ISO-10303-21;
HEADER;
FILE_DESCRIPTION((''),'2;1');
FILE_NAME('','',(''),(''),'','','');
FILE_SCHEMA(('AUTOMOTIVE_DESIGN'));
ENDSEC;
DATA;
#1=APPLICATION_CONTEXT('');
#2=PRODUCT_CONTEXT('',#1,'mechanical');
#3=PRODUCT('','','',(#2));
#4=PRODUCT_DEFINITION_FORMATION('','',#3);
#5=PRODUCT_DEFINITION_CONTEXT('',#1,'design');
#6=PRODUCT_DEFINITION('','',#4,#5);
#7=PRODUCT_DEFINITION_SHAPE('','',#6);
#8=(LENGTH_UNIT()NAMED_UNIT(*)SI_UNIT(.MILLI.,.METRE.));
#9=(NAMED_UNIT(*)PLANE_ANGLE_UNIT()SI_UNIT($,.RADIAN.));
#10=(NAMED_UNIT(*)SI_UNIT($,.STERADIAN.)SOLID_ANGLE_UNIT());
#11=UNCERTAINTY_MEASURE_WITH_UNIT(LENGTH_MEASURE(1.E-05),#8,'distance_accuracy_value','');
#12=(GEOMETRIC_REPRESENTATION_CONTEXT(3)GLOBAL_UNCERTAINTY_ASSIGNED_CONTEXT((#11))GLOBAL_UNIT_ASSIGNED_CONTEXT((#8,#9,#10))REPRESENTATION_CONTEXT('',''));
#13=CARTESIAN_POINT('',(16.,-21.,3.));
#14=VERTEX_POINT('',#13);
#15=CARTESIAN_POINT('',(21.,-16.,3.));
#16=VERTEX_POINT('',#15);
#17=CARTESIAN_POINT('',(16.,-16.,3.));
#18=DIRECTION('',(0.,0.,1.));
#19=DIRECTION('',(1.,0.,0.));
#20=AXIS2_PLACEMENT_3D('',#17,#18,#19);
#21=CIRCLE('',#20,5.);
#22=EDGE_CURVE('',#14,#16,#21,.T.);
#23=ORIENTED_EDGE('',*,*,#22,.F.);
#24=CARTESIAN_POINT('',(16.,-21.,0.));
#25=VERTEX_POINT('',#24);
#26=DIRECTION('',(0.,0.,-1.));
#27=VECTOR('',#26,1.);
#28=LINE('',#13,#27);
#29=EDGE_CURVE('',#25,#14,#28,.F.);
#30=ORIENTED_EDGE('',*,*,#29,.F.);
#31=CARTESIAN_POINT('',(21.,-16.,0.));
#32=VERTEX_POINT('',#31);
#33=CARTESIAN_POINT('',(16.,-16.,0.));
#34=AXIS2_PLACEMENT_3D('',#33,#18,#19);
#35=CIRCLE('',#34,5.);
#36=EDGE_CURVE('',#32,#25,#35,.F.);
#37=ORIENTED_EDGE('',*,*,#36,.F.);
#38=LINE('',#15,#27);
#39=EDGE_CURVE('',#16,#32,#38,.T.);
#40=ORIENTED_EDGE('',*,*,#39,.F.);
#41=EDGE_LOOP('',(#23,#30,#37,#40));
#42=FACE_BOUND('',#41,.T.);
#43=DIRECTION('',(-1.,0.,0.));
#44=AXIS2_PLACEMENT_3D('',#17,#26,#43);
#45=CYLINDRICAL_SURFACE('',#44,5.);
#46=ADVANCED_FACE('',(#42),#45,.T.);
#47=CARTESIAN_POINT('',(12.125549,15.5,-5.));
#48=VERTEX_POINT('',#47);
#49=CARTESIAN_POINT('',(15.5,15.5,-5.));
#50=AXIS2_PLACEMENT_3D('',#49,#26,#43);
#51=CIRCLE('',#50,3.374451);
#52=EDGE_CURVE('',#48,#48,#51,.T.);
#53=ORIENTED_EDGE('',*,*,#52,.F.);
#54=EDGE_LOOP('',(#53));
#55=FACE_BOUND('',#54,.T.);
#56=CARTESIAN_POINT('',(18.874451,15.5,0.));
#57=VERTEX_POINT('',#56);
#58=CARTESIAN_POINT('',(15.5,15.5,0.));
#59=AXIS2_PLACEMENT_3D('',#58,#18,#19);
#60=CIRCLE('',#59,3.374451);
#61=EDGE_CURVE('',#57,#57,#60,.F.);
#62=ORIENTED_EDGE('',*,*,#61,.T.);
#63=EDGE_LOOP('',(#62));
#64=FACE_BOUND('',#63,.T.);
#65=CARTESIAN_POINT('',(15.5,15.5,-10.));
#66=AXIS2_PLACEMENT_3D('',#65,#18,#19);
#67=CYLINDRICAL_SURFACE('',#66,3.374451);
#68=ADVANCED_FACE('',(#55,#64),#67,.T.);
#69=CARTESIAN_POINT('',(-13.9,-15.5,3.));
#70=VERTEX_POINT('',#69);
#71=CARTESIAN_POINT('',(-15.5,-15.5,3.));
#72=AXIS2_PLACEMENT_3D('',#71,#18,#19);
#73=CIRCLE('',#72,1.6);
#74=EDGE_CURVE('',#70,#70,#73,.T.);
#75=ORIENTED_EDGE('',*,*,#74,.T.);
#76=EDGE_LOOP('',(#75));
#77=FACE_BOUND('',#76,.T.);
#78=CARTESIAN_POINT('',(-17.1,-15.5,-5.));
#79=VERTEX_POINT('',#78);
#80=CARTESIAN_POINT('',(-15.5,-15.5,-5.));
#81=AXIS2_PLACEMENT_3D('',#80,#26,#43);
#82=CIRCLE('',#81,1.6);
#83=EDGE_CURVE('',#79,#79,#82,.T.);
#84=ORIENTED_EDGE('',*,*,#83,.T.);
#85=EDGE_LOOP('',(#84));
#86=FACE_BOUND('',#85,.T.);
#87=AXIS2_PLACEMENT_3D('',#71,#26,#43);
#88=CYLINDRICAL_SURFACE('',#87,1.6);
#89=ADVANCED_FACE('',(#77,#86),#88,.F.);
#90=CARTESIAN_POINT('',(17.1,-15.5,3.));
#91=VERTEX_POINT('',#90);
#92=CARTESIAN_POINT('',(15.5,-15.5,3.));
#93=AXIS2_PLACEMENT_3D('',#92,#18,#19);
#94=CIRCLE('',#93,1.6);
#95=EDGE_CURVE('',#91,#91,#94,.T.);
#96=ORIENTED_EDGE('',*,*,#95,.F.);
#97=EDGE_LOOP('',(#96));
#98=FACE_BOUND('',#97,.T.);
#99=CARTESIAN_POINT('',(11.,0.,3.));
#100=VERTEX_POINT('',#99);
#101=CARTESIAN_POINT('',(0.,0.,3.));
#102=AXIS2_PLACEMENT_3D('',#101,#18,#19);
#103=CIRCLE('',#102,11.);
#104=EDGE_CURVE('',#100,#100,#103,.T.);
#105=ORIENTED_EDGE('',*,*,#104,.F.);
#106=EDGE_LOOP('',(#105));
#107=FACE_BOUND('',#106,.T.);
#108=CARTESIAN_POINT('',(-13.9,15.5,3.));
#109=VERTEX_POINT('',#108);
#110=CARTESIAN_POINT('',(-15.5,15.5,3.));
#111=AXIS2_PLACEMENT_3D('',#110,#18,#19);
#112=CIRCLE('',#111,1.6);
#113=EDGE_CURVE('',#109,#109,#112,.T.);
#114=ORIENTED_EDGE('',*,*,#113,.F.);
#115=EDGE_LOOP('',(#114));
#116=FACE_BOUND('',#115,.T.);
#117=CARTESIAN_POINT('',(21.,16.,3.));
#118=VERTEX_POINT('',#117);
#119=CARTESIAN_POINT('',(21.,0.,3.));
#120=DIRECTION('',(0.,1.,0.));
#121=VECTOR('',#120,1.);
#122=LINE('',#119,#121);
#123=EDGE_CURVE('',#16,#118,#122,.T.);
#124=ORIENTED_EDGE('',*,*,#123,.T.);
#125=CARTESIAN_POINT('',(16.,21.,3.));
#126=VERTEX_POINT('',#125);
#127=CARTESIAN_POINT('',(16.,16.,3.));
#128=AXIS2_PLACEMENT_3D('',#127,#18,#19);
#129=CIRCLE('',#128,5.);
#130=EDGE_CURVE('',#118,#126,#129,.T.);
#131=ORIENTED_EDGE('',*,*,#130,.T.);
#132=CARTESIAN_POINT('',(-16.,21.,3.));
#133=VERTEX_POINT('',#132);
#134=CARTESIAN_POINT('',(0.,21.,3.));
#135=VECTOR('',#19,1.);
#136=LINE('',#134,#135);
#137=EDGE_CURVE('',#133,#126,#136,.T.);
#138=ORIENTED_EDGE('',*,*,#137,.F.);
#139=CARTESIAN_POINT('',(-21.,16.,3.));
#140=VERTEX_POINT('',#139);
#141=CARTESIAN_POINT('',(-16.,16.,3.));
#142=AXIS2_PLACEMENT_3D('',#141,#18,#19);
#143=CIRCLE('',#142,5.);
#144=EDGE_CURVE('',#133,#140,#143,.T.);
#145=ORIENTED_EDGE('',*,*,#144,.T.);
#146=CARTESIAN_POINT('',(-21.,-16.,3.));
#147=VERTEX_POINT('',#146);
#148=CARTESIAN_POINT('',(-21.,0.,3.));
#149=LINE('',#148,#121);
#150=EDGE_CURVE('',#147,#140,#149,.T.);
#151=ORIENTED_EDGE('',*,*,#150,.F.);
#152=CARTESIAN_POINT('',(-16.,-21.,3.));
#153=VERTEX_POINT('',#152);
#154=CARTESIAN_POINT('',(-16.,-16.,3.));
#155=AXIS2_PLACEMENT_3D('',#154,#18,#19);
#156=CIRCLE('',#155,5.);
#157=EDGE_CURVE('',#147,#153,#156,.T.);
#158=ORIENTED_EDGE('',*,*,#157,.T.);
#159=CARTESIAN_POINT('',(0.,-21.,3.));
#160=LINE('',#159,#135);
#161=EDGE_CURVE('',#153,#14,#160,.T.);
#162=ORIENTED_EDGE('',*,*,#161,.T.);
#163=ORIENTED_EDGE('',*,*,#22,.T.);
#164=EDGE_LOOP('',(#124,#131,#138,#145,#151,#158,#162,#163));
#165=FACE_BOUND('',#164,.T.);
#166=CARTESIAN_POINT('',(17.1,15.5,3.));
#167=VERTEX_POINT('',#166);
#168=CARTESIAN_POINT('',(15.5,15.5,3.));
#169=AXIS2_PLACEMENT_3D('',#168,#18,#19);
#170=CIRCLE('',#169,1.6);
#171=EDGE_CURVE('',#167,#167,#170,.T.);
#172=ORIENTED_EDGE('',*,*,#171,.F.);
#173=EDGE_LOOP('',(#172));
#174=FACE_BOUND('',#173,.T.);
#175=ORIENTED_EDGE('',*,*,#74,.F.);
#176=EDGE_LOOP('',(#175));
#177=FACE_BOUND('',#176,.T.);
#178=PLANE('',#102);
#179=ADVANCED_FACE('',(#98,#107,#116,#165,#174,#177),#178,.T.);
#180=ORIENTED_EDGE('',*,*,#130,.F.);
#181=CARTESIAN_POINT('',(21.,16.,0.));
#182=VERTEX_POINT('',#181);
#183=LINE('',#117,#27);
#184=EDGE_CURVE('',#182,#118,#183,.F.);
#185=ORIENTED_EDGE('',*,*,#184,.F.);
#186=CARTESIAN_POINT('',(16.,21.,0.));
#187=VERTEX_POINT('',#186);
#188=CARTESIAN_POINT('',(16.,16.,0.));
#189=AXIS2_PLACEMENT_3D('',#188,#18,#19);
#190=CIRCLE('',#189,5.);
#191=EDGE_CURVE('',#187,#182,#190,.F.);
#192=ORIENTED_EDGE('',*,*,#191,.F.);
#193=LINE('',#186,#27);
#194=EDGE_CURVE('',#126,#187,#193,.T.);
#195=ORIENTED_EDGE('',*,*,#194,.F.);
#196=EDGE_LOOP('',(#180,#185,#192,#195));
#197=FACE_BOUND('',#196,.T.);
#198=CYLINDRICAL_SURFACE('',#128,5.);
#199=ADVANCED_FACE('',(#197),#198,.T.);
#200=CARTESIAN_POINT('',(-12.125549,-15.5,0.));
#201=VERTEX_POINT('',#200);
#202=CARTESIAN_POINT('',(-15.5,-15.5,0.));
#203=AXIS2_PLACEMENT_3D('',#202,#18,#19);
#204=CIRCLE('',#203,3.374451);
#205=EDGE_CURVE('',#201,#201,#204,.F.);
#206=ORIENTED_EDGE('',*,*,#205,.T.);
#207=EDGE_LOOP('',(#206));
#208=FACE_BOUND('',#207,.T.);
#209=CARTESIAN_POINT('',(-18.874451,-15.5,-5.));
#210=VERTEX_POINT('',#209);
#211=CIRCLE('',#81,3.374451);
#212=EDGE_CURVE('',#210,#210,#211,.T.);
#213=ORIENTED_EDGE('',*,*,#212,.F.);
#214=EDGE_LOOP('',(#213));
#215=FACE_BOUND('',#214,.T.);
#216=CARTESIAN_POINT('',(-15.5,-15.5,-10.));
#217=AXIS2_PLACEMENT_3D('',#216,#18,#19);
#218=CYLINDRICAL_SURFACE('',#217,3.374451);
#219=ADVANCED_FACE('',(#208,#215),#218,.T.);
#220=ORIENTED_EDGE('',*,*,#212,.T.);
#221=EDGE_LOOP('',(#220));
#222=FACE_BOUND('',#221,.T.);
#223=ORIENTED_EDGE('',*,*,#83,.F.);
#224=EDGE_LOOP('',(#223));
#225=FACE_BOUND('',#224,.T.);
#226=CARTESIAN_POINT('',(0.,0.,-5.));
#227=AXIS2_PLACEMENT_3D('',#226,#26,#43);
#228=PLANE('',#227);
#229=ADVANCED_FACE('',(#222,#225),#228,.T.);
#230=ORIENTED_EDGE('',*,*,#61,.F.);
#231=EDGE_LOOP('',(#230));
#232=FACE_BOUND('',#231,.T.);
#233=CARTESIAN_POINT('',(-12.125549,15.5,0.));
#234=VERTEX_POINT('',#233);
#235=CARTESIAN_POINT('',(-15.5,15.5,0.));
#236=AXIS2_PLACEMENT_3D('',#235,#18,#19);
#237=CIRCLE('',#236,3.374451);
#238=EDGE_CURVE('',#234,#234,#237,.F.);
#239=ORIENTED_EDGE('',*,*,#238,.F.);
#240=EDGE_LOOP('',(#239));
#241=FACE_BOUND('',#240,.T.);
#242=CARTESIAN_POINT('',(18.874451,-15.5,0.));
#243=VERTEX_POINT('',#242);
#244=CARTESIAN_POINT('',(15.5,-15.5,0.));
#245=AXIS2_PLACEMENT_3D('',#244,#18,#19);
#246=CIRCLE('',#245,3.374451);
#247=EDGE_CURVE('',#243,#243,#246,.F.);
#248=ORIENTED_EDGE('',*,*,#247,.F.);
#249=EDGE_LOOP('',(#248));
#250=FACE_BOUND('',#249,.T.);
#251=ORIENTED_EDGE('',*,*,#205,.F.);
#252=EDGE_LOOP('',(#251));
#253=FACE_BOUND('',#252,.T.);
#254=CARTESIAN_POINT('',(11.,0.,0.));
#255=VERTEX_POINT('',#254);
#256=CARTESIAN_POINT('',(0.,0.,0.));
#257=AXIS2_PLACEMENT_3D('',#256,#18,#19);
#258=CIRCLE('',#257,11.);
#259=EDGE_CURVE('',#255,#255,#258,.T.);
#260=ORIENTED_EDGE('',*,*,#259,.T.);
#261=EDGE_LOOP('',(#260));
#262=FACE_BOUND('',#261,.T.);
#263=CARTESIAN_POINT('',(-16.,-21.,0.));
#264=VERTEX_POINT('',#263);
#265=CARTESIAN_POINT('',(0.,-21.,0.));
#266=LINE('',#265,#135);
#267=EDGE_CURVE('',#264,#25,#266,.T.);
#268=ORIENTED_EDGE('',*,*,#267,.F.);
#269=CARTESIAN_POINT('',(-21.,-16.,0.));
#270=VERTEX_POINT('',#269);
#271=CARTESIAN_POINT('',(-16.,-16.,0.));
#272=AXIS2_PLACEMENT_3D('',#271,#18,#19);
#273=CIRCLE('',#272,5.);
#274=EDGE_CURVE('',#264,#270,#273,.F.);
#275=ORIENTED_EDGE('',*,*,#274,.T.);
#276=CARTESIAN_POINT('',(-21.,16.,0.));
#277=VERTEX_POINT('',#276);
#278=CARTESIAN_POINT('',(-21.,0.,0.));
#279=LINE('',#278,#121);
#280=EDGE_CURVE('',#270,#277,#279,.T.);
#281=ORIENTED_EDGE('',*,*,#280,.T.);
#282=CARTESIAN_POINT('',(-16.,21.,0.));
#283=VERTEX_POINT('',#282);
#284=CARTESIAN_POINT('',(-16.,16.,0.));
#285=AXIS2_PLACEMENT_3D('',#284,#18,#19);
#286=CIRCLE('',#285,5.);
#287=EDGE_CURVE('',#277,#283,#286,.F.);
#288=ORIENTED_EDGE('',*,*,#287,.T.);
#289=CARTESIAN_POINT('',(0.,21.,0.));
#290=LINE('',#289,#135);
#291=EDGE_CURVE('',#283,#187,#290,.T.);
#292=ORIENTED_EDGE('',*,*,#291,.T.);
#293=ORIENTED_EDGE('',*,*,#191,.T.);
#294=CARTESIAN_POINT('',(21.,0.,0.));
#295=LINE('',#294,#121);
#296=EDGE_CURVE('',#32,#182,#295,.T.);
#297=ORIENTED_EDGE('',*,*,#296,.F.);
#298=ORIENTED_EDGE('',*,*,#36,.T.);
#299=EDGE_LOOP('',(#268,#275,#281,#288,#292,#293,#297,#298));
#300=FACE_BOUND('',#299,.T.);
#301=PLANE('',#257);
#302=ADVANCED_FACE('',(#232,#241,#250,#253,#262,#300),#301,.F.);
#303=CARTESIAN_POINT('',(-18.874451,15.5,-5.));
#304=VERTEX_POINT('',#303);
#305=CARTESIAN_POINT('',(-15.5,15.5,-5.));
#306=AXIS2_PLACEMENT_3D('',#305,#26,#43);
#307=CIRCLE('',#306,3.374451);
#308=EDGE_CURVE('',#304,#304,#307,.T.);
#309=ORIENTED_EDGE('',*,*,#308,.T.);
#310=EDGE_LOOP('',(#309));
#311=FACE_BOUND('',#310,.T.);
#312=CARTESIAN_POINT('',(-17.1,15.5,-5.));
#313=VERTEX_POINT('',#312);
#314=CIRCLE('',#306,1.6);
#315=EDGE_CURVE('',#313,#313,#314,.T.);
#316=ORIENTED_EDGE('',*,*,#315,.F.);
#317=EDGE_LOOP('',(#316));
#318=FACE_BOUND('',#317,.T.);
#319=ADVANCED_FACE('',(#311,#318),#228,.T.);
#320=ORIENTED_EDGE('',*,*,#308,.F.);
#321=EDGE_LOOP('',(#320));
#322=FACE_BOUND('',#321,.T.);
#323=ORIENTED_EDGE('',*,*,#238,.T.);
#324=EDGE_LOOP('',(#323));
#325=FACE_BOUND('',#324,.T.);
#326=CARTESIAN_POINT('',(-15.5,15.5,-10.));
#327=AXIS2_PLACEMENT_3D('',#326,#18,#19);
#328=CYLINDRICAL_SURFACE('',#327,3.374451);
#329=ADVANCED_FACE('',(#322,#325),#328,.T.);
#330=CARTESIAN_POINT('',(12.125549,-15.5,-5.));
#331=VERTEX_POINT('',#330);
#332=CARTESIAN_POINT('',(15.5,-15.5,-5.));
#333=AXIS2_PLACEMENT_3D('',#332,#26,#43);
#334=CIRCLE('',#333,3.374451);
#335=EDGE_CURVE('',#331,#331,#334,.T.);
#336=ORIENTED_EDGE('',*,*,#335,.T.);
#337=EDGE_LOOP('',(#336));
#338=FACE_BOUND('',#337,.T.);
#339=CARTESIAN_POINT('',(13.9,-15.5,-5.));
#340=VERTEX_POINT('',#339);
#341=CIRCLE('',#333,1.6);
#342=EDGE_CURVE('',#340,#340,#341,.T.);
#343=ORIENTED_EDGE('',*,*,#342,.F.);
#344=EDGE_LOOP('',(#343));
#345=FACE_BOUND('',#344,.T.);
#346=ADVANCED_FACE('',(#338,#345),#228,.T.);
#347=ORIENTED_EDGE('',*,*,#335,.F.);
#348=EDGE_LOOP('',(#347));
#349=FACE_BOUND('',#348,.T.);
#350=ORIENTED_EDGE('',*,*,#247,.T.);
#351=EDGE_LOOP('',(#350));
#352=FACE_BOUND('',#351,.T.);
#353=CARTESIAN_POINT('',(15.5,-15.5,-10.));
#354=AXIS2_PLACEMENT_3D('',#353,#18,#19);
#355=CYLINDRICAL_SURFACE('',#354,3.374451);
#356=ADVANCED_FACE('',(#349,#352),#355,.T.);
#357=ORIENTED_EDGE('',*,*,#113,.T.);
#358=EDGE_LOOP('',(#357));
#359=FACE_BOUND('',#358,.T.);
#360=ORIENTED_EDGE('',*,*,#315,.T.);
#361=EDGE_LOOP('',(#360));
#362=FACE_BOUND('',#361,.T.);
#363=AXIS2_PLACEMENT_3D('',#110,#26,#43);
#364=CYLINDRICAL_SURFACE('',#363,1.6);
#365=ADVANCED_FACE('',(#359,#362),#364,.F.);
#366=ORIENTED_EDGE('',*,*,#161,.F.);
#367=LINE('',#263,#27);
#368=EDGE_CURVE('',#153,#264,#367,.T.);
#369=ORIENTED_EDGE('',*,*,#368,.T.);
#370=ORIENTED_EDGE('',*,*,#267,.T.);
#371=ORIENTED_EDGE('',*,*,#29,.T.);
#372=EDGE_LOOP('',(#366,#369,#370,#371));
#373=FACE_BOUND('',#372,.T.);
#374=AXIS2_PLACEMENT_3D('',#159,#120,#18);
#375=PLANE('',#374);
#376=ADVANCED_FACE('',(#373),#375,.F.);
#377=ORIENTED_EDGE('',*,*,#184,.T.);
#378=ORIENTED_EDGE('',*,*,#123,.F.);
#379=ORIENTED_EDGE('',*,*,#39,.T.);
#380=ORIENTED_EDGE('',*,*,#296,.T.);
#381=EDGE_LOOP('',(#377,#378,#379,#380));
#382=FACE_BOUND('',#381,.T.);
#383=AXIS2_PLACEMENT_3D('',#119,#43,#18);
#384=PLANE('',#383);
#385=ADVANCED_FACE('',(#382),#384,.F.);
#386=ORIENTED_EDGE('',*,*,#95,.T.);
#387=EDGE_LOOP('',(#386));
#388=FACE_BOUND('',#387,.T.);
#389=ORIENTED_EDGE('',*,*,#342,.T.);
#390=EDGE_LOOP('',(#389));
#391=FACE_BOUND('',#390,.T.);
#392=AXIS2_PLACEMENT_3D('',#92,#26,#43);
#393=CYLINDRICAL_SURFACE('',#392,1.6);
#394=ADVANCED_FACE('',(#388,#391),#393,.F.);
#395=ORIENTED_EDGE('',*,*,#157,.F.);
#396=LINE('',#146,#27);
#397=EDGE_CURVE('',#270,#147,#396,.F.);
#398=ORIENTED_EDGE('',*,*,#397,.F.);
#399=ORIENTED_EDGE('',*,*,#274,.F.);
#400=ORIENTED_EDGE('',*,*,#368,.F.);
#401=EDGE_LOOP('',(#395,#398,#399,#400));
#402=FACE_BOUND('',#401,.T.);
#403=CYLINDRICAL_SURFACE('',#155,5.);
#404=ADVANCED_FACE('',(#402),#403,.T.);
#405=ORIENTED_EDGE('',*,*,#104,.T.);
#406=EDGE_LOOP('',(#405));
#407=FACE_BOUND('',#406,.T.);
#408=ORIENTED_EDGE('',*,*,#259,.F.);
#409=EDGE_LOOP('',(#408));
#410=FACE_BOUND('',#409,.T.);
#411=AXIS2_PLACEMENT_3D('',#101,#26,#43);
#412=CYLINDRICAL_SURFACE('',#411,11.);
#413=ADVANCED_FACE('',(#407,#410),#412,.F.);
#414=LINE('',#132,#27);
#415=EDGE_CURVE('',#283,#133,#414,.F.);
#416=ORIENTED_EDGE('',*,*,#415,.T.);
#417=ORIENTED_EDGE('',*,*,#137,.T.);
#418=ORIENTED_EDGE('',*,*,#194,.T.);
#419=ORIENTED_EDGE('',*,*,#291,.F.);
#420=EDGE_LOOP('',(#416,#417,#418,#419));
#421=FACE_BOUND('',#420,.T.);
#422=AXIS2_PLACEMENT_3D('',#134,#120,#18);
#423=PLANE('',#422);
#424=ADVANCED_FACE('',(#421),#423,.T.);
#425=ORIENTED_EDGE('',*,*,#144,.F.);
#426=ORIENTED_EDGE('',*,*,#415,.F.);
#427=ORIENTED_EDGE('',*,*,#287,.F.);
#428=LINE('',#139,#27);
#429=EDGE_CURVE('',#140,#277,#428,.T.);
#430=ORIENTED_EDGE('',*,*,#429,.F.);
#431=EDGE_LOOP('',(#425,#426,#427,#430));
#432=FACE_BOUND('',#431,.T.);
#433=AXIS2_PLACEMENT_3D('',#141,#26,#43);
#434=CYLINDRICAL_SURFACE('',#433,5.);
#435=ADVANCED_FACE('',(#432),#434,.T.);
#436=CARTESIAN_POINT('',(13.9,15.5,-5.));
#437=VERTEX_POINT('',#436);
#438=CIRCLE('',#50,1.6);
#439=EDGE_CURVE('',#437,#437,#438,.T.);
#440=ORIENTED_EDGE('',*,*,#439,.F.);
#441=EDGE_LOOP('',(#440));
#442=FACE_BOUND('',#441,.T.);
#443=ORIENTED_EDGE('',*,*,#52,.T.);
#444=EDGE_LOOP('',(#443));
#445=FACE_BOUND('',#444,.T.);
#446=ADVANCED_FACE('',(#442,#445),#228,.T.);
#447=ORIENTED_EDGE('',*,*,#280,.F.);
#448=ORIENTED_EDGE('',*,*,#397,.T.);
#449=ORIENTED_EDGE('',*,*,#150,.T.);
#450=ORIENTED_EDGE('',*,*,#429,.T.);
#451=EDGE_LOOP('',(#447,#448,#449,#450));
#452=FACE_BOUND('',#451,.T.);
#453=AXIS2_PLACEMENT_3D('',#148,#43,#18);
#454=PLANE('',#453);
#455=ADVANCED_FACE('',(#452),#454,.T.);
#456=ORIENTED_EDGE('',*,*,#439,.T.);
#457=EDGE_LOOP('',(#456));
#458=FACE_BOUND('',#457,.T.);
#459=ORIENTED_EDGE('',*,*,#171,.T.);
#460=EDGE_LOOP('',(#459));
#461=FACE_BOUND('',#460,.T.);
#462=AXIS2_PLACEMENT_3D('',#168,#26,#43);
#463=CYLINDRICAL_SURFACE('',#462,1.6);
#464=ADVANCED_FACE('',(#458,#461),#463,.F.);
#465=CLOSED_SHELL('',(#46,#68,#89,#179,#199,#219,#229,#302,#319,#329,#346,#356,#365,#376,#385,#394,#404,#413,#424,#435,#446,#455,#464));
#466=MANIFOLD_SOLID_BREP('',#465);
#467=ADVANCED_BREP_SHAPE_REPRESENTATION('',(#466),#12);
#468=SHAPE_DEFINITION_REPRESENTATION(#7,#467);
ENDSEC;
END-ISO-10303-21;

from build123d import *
from build123d.topology import SkipClean

# Parameters (mm, degrees)
SKETCH_1_W          = 42
SKETCH_1_H          = 42
SKETCH_1_R          = 1.6
SKETCH_1_R_2        = 11
EXTRUDE_1_DEPTH     = 3
FILLET_1_R          = 5
SKETCH_2_R          = 18
SKETCH_2_R_2        = 16
EXTRUDE_2_DEPTH     = 7
SKETCH_3_R          = 18
CUT_EXTRUDE_1_DEPTH = 31.512292605
EXTRUDE_START       = 10
SKETCH_5_R          = 3.3744514
SKETCH_5_R_2        = 1.6
EXTRUDE_3_DEPTH     = 10
SKETCH_6_R          = 29.988596493
CUT_EXTRUDE_2_DEPTH = 5


with BuildPart() as part:
    # 草图1 → 凸台-拉伸1 (new body)
    with BuildSketch(Plane.XY):
        Rectangle(SKETCH_1_W, SKETCH_1_H)
        with Locations((-15.5, 15.5)):
            Circle(SKETCH_1_R, mode=Mode.SUBTRACT)
        with Locations((15.5, 15.5)):
            Circle(SKETCH_1_R, mode=Mode.SUBTRACT)
        with Locations((15.5, -15.5)):
            Circle(SKETCH_1_R, mode=Mode.SUBTRACT)
        with Locations((-15.5, -15.5)):
            Circle(SKETCH_1_R, mode=Mode.SUBTRACT)
        Circle(SKETCH_1_R_2, mode=Mode.SUBTRACT)
    extrude(amount=EXTRUDE_1_DEPTH)

    # 圆角1
    fillet_1_edges = [part.edges().sort_by_distance(p)[0] for p in [
        (-21, -21, 1.5),
        (-21, 21, 1.5),
        (21, 21, 1.5),
        (21, -21, 1.5),
    ]]
    fillet(fillet_1_edges, radius=FILLET_1_R)

    # 草图2 → 凸台-拉伸2 (add)
    with BuildSketch(Plane(origin=(0, 0, 0), x_dir=(-1, 0, 0), z_dir=(0, 0, -1))):
        with Locations(Location((0, 0, 0), (0, 0, 180))):
            Circle(SKETCH_2_R)
        Circle(SKETCH_2_R_2, mode=Mode.SUBTRACT)
    extrude(amount=EXTRUDE_2_DEPTH)

    # 草图3 → 切除-拉伸1 (cut, through all)
    with BuildSketch(Plane(origin=(0, 0, 0), x_dir=(-1, 0, 0), z_dir=(0, 0, -1))):
        Circle(SKETCH_3_R)
    extrude(amount=CUT_EXTRUDE_1_DEPTH, mode=Mode.SUBTRACT)

    # 草图5 → 凸台-拉伸3 (add)
    # profile 1 of 4: a face of its own
    with SkipClean():  # the faces are left unmerged after this step: merging them gives an invalid solid
        with BuildSketch(Plane(origin=(0, 0, 0), x_dir=(-1, 0, 0), z_dir=(0, 0, -1)).offset(EXTRUDE_START)):
            with Locations(Location((-15.5, 15.5, 0), (0, 0, 180))):
                Circle(SKETCH_5_R)
            with Locations((-15.5, 15.5)):
                Circle(SKETCH_5_R_2, mode=Mode.SUBTRACT)
        # profile 2 of 4: a face of its own
        with BuildSketch(Plane(origin=(0, 0, 0), x_dir=(-1, 0, 0), z_dir=(0, 0, -1)).offset(EXTRUDE_START)):
            with Locations(Location((15.5, 15.5, 0), (0, 0, 180))):
                Circle(SKETCH_5_R)
            with Locations((15.5, 15.5)):
                Circle(SKETCH_5_R_2, mode=Mode.SUBTRACT)
        # profile 3 of 4: a face of its own
        with BuildSketch(Plane(origin=(0, 0, 0), x_dir=(-1, 0, 0), z_dir=(0, 0, -1)).offset(EXTRUDE_START)):
            with Locations(Location((15.5, -15.5, 0), (0, 0, 180))):
                Circle(SKETCH_5_R)
            with Locations((15.5, -15.5)):
                Circle(SKETCH_5_R_2, mode=Mode.SUBTRACT)
        # profile 4 of 4: a face of its own
        with BuildSketch(Plane(origin=(0, 0, 0), x_dir=(-1, 0, 0), z_dir=(0, 0, -1)).offset(EXTRUDE_START)):
            with Locations(Location((-15.5, -15.5, 0), (0, 0, 180))):
                Circle(SKETCH_5_R)
            with Locations((-15.5, -15.5)):
                Circle(SKETCH_5_R_2, mode=Mode.SUBTRACT)
        extrude(amount=-EXTRUDE_3_DEPTH)

    # 草图6 → 切除-拉伸2 (cut)
    with SkipClean():  # the faces are left unmerged after this step: merging them gives an invalid solid
        with BuildSketch(Plane(origin=(0, 0, -10), x_dir=(-1, 0, 0), z_dir=(0, 0, -1))):
            Circle(SKETCH_6_R)
        extrude(amount=-CUT_EXTRUDE_2_DEPTH, mode=Mode.SUBTRACT)


solid = part.part
